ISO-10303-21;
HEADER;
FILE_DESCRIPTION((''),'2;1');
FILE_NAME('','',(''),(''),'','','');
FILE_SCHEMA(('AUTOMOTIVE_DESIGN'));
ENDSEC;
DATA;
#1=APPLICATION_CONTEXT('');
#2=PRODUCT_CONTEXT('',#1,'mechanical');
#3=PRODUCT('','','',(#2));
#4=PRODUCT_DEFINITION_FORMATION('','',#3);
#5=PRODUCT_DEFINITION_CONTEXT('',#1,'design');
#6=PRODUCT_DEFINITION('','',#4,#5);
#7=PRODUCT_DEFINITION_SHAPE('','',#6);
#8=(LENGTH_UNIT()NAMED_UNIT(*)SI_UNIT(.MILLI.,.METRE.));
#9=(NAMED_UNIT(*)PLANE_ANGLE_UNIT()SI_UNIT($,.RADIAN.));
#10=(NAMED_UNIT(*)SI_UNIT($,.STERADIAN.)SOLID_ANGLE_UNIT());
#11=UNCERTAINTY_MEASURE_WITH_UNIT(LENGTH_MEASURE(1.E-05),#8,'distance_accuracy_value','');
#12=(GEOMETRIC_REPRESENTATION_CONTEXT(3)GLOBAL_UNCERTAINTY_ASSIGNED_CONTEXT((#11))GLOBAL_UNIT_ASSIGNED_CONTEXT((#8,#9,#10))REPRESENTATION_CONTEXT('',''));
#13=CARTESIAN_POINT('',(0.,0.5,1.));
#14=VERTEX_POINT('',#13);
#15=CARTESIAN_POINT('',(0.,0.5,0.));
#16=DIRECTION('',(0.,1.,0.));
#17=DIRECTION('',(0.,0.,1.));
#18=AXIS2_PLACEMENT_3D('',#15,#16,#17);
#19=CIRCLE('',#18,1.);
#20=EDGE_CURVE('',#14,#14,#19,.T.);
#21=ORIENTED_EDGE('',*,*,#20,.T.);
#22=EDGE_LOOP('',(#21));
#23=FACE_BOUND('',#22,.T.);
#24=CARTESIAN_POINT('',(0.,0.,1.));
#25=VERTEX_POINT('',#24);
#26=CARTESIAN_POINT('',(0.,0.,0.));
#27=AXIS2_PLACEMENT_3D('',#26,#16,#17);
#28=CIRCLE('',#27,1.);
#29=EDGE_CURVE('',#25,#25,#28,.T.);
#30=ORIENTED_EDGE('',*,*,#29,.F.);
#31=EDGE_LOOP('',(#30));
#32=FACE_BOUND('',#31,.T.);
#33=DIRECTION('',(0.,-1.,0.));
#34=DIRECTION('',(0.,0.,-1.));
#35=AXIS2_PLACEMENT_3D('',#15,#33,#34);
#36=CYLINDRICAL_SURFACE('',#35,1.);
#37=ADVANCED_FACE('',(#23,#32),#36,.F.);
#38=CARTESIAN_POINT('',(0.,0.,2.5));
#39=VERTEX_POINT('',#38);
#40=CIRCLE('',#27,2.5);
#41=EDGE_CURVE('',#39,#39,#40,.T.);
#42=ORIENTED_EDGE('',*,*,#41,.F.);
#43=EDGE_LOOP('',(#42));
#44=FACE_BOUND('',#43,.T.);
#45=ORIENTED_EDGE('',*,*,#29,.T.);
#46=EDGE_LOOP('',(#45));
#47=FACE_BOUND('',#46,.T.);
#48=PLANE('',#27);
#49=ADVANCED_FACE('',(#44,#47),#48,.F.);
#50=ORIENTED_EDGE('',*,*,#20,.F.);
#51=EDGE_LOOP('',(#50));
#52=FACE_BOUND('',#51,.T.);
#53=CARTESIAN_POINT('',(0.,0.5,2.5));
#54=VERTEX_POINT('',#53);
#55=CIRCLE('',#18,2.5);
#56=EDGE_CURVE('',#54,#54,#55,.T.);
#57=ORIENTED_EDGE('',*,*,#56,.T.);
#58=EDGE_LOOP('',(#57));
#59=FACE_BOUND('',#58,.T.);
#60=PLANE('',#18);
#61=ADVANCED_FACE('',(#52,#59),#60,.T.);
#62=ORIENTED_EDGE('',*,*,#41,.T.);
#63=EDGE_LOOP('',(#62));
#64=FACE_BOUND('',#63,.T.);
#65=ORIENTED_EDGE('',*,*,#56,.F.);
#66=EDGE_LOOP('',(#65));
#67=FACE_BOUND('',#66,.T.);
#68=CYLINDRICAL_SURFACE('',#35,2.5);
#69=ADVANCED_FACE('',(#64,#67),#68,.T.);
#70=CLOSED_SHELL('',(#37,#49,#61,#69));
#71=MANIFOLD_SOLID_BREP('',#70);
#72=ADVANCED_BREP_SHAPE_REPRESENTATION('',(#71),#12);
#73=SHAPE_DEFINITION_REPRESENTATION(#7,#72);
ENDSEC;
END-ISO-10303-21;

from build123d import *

# Parameters (mm, degrees)
SKETCH_1_R      = 2.5
SKETCH_1_R_2    = 1
EXTRUDE_1_DEPTH = 0.5


with BuildPart() as part:
    # 草图1 → 凸台-拉伸1 (new body)
    with BuildSketch(Plane(origin=(0, 0, 0), x_dir=(1, 0, 0), z_dir=(0, 1, 0))):
        Circle(SKETCH_1_R)
        Circle(SKETCH_1_R_2, mode=Mode.SUBTRACT)
    extrude(amount=EXTRUDE_1_DEPTH)


solid = part.part
